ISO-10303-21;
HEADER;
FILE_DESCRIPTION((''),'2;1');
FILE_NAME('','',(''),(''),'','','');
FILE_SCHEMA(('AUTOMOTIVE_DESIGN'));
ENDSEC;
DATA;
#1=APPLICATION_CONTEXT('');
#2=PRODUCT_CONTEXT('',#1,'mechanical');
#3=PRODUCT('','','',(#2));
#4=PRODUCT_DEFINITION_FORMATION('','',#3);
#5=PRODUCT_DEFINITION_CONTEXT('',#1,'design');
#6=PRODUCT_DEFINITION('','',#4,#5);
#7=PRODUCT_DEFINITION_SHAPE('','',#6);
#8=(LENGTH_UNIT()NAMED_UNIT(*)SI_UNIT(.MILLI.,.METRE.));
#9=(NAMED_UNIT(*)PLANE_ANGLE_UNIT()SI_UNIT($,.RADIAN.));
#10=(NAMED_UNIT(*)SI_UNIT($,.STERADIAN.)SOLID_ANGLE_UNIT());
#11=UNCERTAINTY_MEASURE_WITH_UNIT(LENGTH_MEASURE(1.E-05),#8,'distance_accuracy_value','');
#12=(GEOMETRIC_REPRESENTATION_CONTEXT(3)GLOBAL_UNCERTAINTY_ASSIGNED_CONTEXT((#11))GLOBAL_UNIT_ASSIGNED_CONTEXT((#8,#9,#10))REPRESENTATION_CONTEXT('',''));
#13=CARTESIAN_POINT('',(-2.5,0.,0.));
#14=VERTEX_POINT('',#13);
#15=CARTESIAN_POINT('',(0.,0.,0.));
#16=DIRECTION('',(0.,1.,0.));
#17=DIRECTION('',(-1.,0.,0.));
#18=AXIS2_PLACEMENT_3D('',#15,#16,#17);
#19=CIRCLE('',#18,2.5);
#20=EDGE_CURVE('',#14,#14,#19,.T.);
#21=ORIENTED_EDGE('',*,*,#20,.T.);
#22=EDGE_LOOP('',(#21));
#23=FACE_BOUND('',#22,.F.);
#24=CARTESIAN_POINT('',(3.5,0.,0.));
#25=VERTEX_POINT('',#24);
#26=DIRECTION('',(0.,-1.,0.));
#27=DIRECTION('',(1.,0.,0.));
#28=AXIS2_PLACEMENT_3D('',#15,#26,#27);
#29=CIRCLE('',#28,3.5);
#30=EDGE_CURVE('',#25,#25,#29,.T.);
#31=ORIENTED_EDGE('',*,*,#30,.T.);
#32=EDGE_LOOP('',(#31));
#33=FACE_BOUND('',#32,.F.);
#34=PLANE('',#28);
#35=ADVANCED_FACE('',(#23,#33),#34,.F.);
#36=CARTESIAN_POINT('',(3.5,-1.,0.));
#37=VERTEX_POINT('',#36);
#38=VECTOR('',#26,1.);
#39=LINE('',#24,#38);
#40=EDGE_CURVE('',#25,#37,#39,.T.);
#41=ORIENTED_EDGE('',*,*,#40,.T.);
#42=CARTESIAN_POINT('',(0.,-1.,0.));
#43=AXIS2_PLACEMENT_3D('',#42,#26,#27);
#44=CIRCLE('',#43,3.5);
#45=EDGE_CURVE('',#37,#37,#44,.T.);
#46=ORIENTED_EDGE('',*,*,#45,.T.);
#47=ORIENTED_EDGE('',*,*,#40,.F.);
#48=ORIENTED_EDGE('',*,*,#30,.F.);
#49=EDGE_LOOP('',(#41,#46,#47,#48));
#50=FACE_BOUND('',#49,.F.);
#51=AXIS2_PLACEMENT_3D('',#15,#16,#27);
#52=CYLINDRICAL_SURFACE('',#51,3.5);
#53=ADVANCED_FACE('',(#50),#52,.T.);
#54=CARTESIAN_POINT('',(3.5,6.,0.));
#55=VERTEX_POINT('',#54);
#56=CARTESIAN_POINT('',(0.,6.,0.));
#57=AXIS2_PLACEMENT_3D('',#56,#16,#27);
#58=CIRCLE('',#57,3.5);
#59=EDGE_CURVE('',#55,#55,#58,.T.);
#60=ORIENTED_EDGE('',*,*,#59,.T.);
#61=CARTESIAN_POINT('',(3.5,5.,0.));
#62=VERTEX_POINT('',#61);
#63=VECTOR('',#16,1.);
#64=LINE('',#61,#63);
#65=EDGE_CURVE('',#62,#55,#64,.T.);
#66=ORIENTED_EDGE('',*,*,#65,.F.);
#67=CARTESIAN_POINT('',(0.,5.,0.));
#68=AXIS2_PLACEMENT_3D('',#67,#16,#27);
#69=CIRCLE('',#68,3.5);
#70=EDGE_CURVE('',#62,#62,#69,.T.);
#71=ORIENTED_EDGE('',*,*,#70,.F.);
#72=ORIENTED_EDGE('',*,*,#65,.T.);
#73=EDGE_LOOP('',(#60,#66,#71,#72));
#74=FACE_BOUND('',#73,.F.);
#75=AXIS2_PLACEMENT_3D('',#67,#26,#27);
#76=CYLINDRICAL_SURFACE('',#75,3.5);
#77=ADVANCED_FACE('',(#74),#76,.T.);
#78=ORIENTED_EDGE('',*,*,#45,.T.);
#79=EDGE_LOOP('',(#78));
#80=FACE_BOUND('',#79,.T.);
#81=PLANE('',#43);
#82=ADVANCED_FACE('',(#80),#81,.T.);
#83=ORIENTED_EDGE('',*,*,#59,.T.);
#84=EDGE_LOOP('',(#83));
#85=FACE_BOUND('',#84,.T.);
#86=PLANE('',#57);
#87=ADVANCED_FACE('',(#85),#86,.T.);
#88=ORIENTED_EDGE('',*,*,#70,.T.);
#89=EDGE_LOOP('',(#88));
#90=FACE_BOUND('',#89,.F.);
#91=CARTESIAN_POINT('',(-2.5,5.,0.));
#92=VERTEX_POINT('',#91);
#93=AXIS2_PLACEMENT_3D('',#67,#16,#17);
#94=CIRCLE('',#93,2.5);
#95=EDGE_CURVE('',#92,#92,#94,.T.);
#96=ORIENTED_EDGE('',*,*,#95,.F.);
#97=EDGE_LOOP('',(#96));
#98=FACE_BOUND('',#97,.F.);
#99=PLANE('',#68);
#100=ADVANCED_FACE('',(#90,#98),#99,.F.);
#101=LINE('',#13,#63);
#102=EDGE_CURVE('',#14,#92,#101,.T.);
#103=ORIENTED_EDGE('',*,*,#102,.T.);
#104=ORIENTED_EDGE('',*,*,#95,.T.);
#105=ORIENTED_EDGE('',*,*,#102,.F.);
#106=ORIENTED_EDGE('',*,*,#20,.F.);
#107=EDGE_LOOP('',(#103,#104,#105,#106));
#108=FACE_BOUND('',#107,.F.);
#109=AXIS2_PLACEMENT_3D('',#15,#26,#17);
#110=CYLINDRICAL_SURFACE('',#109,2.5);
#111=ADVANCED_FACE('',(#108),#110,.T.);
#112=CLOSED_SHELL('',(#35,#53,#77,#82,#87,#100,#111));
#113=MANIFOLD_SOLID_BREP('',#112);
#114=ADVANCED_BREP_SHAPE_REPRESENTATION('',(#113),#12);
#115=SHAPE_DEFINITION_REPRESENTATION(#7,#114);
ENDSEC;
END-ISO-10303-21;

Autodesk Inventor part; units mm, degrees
ref_plane "YZ Plane" through (0, 0, 0) normal (1, 0, 0) x (0, 1, 0)
ref_plane "XZ Plane" through (0, 0, 0) normal (0, 1, 0) x (-1, 0, 0)
ref_plane "XY Plane" through (0, 0, 0) normal (0, 0, 1) x (1, 0, 0)
sketch "Szkic1" plane through (0, 0, 0) normal (0, 1, 0) x (-1, 0, 0)
  circle A0 centre (0, 0) radius 2.5
  dimension "d0" = 5
extrude "Wyciągnięcie proste1" add sketch "Szkic1" along normal blind 5
sketch "Szkic2" plane through (0, 5, 0) normal (0, 1, 0) x (1, 0, 0)
  circle A0 centre (0, 0) radius 3.5
  dimension "d3" = 7
extrude "Wyciągnięcie proste2" add sketch "Szkic2" along normal blind 1
sketch "Szkic3" plane through (0, 0, 0) normal (0, -1, 0) x (1, 0, 0)
  circle A0 centre (0, 0) radius 3.5
  dimension "d6" = 7
extrude "Wyciągnięcie proste3" add sketch "Szkic3" along normal blind 1
properties part number "nit fi5" material "Stal, węglowa"
